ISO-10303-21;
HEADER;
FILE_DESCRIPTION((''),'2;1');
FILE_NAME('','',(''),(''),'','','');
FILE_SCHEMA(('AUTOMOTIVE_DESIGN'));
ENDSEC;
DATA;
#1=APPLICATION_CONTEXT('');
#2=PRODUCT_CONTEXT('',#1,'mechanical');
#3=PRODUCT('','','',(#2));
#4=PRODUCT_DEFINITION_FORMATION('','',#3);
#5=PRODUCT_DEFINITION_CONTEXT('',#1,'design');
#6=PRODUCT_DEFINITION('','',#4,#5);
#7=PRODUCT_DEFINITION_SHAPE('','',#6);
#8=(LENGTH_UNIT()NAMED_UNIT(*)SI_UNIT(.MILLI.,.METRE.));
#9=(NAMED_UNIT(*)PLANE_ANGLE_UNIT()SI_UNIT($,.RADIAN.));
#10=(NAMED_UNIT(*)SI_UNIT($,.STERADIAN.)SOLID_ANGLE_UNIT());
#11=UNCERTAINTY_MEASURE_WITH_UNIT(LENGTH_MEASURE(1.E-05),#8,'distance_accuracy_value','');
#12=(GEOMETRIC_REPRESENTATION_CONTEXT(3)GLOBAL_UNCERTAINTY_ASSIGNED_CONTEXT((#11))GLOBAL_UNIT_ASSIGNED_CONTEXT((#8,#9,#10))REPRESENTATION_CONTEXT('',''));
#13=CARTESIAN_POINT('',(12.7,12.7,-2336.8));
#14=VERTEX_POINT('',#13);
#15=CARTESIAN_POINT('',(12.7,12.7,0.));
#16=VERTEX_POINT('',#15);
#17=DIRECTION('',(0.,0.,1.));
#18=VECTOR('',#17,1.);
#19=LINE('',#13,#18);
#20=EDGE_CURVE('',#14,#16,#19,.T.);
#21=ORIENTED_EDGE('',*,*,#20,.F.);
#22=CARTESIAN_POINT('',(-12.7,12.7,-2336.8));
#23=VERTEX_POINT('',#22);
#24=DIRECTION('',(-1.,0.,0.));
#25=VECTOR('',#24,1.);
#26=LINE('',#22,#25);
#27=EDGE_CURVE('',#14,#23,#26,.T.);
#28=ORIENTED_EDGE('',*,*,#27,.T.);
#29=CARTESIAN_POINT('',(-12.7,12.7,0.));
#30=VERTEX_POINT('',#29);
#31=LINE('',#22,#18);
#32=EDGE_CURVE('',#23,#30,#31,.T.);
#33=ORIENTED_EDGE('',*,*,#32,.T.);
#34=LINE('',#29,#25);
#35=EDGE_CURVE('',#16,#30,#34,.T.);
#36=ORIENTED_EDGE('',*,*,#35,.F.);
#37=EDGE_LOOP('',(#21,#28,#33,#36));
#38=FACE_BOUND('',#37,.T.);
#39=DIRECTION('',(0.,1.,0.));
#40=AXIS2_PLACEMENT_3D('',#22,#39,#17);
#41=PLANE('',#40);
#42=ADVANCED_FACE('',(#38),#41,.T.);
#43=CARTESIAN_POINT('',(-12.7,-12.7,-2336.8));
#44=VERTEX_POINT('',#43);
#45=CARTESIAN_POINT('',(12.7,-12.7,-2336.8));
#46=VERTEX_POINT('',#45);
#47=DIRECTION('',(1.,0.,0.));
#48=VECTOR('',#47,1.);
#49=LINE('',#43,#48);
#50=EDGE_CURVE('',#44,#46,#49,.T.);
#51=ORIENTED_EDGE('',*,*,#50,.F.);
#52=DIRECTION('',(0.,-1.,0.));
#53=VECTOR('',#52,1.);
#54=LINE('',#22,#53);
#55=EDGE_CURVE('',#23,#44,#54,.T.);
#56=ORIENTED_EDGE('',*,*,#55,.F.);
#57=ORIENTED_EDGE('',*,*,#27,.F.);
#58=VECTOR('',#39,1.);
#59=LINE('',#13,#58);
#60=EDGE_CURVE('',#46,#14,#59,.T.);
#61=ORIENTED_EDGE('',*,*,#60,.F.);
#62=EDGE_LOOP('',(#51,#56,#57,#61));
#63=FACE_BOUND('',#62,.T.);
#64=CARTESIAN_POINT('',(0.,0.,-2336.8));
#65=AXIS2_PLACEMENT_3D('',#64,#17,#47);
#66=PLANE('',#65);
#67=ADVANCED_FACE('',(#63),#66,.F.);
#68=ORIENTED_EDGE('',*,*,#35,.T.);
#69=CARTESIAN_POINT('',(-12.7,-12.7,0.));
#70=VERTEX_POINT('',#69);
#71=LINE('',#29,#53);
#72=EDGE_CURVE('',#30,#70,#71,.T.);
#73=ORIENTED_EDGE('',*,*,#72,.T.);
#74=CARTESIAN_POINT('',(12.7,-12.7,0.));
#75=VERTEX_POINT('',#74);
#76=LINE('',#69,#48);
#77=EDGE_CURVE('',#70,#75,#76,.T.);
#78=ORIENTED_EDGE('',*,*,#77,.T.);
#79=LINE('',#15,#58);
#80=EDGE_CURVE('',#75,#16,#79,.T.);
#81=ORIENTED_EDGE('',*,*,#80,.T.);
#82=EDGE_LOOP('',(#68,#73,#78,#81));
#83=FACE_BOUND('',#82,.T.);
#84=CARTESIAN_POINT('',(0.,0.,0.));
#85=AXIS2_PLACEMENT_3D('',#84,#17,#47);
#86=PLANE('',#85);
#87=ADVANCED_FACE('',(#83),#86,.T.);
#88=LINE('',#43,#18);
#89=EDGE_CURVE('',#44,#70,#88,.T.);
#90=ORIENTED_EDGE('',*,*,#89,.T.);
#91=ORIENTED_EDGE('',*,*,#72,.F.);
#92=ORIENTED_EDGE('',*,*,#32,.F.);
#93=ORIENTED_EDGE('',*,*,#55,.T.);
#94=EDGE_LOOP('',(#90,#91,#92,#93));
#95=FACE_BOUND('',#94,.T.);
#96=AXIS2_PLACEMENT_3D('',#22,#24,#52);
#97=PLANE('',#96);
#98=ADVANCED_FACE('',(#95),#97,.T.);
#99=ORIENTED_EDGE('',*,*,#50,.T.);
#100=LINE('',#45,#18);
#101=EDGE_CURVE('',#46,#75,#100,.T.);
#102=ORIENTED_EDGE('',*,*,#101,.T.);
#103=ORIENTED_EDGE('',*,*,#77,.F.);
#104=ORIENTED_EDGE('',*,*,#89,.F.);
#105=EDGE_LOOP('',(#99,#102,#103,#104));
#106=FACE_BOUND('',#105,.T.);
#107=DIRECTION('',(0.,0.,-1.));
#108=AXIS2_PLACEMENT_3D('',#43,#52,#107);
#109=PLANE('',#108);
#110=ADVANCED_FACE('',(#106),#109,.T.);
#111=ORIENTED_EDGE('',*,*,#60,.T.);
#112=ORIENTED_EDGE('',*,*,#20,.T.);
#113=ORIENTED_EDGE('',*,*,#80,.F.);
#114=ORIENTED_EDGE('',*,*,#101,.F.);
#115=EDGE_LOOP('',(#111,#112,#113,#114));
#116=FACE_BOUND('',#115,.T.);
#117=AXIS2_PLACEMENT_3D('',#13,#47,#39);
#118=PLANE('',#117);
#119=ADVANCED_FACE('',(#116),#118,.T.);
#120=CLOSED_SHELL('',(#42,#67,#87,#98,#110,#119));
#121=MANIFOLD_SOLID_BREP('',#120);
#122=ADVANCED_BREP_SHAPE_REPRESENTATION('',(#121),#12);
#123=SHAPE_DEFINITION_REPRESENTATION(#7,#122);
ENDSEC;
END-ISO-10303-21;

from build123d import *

# Parameters (mm, degrees)
SKETCH1_W           = 25.4
SKETCH1_H           = 25.4
BOSS_EXTRUDE1_DEPTH = 2336.8


with BuildPart() as part:
    # Sketch1 → Boss-Extrude1 (new body)
    with BuildSketch(Plane.XY):
        Rectangle(SKETCH1_W, SKETCH1_H)
    extrude(amount=-BOSS_EXTRUDE1_DEPTH)


solid = part.part
